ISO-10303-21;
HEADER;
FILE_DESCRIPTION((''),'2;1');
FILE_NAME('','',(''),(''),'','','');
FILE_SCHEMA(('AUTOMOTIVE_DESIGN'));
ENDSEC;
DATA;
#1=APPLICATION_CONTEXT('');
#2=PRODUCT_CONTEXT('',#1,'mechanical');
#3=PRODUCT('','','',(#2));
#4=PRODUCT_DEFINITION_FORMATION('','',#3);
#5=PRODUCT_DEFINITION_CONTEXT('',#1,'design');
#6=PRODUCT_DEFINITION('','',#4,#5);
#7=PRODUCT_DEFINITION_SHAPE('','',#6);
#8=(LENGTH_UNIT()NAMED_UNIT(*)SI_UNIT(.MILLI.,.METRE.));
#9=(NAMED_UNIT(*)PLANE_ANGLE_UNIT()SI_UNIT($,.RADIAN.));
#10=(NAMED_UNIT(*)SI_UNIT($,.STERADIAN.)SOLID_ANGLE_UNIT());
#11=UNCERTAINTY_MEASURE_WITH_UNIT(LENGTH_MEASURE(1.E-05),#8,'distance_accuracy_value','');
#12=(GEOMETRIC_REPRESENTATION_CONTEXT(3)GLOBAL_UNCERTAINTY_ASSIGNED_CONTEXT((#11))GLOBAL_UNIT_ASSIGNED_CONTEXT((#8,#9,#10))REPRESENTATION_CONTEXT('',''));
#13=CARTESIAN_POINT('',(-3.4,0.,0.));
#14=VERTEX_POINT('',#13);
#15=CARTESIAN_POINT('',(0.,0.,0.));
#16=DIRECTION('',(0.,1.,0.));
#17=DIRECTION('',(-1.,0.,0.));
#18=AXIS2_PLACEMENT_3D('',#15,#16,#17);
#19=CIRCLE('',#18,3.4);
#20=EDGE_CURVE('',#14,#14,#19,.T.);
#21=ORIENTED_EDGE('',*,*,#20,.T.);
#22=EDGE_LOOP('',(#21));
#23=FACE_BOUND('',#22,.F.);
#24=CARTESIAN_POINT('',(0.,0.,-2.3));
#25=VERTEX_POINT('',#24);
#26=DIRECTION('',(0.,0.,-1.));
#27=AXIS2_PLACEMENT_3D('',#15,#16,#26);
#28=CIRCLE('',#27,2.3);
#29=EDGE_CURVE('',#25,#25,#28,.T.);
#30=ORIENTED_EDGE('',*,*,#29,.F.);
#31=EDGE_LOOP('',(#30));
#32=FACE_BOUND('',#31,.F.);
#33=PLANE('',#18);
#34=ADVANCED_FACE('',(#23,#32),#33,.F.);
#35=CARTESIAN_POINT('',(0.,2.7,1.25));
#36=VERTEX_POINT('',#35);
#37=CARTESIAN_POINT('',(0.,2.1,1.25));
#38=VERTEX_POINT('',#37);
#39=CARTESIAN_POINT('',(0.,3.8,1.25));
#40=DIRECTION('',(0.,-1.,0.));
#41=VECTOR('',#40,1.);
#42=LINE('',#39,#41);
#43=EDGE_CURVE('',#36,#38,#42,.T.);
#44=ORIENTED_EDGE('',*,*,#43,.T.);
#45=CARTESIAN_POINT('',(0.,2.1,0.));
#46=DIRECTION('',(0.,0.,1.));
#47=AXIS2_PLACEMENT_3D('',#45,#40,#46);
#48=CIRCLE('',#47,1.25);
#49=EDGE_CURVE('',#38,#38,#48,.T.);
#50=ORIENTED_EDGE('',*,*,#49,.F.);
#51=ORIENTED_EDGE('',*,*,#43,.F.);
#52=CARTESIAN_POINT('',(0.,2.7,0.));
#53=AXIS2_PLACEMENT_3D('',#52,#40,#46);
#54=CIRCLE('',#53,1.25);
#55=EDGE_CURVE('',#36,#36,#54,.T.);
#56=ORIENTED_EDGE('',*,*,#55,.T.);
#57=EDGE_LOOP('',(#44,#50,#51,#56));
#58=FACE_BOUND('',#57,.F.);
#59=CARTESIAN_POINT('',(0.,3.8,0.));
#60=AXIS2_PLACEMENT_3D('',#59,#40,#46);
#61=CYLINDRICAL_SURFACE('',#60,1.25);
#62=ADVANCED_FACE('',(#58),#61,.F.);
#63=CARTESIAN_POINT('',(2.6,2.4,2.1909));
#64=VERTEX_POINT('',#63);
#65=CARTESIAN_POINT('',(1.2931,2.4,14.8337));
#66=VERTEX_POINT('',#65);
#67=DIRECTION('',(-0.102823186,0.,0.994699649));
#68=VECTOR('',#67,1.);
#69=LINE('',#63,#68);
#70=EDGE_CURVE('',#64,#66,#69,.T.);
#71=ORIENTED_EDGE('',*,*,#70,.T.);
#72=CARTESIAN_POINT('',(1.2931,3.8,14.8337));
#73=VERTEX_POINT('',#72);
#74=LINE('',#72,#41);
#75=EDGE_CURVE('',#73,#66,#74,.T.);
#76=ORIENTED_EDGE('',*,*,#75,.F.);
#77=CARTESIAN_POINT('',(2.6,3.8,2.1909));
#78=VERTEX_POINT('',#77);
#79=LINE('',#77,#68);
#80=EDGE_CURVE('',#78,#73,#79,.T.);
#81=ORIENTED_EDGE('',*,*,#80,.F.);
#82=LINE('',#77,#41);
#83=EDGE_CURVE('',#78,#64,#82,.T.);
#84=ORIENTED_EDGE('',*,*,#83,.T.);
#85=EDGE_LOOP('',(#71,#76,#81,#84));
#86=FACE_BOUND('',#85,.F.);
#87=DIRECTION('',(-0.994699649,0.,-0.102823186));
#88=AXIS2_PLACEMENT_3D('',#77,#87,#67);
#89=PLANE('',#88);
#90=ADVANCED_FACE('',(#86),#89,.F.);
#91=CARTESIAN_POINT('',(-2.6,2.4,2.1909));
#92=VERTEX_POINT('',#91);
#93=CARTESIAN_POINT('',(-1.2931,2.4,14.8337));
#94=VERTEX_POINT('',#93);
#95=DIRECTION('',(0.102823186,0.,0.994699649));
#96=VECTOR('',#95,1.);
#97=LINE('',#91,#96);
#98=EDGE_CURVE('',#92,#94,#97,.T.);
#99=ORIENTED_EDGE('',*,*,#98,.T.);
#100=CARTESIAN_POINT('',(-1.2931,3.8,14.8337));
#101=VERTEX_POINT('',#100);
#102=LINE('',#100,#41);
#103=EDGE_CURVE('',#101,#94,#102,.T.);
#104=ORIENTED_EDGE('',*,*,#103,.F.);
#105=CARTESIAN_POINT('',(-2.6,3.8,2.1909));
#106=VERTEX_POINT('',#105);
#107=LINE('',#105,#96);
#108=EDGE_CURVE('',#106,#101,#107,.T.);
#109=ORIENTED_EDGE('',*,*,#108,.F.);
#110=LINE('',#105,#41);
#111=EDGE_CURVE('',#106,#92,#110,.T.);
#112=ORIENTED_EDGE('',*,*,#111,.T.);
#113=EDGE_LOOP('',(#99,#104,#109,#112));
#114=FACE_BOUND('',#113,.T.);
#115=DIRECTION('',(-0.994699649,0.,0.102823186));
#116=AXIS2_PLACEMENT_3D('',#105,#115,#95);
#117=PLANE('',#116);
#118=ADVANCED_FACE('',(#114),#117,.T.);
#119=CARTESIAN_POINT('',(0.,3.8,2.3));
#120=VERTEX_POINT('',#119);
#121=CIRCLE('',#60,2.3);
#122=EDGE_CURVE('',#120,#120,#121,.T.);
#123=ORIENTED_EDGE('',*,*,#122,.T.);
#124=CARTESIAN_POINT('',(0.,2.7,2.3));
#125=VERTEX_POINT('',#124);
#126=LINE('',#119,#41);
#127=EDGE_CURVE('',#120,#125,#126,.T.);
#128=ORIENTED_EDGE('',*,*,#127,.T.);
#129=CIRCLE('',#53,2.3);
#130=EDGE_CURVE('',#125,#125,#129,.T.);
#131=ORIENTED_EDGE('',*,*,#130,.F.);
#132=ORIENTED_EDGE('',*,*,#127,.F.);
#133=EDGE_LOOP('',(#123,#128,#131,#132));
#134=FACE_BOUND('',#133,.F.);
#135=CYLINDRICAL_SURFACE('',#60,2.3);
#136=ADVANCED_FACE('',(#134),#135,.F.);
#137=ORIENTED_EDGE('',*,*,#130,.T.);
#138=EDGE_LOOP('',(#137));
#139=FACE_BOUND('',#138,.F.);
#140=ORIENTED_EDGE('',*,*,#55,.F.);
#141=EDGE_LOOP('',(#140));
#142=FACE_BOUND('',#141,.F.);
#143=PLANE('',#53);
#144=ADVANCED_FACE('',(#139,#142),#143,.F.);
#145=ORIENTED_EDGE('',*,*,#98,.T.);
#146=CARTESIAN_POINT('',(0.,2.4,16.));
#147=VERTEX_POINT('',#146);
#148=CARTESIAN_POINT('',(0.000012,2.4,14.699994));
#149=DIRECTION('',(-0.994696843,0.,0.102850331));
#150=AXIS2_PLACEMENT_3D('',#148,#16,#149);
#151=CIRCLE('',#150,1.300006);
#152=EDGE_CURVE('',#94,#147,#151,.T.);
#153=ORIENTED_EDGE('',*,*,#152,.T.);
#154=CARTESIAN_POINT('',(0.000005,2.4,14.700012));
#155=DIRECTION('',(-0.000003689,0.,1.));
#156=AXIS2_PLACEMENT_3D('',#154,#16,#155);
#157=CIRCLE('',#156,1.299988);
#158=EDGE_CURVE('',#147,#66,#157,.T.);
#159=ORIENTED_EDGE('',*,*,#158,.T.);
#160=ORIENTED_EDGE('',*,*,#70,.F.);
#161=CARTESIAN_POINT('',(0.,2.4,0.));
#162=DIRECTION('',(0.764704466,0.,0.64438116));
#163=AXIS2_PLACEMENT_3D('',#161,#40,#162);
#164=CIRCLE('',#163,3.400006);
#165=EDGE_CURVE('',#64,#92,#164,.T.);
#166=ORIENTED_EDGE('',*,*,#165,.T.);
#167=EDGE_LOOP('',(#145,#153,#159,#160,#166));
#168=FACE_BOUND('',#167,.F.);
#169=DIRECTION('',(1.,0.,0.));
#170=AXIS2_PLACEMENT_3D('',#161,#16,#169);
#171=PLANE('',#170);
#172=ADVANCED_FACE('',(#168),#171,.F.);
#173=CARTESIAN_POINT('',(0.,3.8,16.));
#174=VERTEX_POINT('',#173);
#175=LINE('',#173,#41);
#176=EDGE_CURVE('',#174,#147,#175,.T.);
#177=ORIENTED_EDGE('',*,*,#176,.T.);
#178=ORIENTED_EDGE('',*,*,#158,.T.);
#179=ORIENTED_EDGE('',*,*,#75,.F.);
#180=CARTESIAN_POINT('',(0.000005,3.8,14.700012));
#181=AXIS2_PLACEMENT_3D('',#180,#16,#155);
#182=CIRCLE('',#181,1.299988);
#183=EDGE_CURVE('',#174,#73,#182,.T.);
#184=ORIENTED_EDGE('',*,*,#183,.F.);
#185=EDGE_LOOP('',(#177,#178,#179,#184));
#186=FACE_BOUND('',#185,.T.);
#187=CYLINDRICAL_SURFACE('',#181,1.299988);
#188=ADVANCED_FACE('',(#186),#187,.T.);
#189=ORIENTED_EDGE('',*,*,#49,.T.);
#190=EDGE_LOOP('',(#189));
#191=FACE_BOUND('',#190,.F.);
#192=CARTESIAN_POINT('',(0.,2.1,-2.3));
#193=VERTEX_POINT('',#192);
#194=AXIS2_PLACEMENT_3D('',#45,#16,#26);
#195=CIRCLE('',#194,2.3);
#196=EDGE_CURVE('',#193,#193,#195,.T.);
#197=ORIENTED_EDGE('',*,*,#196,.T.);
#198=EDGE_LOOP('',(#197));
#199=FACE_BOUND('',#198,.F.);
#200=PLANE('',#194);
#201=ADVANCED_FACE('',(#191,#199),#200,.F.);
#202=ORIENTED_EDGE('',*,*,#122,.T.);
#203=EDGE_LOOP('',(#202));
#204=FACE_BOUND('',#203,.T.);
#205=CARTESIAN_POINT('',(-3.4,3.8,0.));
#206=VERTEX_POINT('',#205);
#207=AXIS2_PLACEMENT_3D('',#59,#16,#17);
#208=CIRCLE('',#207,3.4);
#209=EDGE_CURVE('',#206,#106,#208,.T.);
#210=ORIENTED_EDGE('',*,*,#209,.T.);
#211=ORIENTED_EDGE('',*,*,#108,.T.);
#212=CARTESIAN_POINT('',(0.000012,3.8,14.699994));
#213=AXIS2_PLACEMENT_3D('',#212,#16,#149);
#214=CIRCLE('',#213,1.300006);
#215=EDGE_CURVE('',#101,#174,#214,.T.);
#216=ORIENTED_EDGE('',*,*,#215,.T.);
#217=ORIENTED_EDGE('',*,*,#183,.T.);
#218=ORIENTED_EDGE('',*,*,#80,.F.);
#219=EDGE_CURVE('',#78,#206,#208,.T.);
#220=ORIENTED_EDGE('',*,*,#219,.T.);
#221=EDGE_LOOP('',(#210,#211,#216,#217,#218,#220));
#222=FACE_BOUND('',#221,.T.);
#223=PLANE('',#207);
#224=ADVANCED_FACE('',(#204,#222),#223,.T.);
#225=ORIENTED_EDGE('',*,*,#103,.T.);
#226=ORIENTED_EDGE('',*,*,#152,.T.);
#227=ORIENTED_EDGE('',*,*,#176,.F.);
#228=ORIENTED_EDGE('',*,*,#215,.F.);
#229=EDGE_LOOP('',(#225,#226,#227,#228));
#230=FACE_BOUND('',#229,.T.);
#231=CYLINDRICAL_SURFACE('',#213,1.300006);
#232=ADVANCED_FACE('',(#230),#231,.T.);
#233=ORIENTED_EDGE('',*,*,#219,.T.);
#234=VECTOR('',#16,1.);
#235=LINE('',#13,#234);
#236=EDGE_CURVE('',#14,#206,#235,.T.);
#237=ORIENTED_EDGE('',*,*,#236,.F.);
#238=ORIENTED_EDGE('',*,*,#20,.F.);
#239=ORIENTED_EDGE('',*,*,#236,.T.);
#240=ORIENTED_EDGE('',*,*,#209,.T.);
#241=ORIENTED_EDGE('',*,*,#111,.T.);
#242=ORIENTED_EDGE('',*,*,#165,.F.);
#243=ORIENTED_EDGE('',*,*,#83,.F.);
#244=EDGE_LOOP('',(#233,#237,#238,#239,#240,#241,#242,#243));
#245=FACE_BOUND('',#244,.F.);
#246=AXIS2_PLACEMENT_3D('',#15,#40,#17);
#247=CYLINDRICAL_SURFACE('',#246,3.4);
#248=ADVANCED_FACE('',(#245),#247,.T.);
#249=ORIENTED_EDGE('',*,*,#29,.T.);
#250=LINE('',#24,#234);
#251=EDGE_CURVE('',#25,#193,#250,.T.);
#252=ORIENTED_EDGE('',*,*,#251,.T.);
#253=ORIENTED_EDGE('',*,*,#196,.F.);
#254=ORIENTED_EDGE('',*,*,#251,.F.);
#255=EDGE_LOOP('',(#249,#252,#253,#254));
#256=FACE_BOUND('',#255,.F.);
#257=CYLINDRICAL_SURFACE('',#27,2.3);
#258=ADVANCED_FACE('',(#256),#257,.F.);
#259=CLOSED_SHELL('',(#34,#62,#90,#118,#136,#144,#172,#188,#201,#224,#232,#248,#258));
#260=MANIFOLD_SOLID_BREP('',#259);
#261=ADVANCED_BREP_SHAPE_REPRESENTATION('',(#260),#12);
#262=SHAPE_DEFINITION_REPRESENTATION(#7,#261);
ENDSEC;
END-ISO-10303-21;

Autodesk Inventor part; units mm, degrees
ref_plane "YZ Plane" through (0, 0, 0) normal (1, 0, 0) x (0, 1, 0)
ref_plane "XZ Plane" through (0, 0, 0) normal (0, 1, 0) x (-1, 0, 0)
ref_plane "XY Plane" through (0, 0, 0) normal (0, 0, 1) x (1, 0, 0)
sketch "스케치1" plane through (0, 0, 0) normal (0, 1, 0) x (-1, 0, 0)
  circle A0 centre (0, 0) radius 3.4
  dimension "d0" = 6.8
extrude "돌출1" add sketch "스케치1" along normal blind 3.8
hole "구멍1" at (0, 3.8, 0) direction (0, -1, 0) diameter 2.5 end through all
hole "구멍2" at (0, 3.8, 0) direction (0, -1, 0) diameter 4.6 depth 1.1
hole "구멍3" at (0, 0, 0) direction (0, 1, 0) diameter 4.6 depth 2.1
sketch "스케치2" plane through (0, 3.8, 0) normal (0, 1, 0) x (1, 0, 0)
  line L0 (0, 3.4) -> (0, -16)
  line L1 (-2.6, -2.1909) -> (-1.2931, -14.8337)
  arc A0 (0, 3.4) -> (-2.6, -2.1909) centre (0, 0) ccw
  arc A1 (-1.2931, -14.8337) -> (0, -16) centre (0, -14.7) ccw
  line L2 (2.6, -2.1909) -> (1.2931, -14.8337)
  arc A2 (2.6, -2.1909) -> (0, 3.4) centre (0, 0) ccw
  arc A3 (0, -16) -> (1.2931, -14.8337) centre (0, -14.7) ccw
  arc A4 (-2.6, -2.1909) -> (2.6, -2.1909) centre (0, 0) ccw
  dimension "d34" = 19.4
extrude "돌출2" add sketch "스케치2" against normal blind 1.4 contours A4 L2 A3 L0 | L0 A1 L1 A4
properties part number "SG90 SingleArm"
